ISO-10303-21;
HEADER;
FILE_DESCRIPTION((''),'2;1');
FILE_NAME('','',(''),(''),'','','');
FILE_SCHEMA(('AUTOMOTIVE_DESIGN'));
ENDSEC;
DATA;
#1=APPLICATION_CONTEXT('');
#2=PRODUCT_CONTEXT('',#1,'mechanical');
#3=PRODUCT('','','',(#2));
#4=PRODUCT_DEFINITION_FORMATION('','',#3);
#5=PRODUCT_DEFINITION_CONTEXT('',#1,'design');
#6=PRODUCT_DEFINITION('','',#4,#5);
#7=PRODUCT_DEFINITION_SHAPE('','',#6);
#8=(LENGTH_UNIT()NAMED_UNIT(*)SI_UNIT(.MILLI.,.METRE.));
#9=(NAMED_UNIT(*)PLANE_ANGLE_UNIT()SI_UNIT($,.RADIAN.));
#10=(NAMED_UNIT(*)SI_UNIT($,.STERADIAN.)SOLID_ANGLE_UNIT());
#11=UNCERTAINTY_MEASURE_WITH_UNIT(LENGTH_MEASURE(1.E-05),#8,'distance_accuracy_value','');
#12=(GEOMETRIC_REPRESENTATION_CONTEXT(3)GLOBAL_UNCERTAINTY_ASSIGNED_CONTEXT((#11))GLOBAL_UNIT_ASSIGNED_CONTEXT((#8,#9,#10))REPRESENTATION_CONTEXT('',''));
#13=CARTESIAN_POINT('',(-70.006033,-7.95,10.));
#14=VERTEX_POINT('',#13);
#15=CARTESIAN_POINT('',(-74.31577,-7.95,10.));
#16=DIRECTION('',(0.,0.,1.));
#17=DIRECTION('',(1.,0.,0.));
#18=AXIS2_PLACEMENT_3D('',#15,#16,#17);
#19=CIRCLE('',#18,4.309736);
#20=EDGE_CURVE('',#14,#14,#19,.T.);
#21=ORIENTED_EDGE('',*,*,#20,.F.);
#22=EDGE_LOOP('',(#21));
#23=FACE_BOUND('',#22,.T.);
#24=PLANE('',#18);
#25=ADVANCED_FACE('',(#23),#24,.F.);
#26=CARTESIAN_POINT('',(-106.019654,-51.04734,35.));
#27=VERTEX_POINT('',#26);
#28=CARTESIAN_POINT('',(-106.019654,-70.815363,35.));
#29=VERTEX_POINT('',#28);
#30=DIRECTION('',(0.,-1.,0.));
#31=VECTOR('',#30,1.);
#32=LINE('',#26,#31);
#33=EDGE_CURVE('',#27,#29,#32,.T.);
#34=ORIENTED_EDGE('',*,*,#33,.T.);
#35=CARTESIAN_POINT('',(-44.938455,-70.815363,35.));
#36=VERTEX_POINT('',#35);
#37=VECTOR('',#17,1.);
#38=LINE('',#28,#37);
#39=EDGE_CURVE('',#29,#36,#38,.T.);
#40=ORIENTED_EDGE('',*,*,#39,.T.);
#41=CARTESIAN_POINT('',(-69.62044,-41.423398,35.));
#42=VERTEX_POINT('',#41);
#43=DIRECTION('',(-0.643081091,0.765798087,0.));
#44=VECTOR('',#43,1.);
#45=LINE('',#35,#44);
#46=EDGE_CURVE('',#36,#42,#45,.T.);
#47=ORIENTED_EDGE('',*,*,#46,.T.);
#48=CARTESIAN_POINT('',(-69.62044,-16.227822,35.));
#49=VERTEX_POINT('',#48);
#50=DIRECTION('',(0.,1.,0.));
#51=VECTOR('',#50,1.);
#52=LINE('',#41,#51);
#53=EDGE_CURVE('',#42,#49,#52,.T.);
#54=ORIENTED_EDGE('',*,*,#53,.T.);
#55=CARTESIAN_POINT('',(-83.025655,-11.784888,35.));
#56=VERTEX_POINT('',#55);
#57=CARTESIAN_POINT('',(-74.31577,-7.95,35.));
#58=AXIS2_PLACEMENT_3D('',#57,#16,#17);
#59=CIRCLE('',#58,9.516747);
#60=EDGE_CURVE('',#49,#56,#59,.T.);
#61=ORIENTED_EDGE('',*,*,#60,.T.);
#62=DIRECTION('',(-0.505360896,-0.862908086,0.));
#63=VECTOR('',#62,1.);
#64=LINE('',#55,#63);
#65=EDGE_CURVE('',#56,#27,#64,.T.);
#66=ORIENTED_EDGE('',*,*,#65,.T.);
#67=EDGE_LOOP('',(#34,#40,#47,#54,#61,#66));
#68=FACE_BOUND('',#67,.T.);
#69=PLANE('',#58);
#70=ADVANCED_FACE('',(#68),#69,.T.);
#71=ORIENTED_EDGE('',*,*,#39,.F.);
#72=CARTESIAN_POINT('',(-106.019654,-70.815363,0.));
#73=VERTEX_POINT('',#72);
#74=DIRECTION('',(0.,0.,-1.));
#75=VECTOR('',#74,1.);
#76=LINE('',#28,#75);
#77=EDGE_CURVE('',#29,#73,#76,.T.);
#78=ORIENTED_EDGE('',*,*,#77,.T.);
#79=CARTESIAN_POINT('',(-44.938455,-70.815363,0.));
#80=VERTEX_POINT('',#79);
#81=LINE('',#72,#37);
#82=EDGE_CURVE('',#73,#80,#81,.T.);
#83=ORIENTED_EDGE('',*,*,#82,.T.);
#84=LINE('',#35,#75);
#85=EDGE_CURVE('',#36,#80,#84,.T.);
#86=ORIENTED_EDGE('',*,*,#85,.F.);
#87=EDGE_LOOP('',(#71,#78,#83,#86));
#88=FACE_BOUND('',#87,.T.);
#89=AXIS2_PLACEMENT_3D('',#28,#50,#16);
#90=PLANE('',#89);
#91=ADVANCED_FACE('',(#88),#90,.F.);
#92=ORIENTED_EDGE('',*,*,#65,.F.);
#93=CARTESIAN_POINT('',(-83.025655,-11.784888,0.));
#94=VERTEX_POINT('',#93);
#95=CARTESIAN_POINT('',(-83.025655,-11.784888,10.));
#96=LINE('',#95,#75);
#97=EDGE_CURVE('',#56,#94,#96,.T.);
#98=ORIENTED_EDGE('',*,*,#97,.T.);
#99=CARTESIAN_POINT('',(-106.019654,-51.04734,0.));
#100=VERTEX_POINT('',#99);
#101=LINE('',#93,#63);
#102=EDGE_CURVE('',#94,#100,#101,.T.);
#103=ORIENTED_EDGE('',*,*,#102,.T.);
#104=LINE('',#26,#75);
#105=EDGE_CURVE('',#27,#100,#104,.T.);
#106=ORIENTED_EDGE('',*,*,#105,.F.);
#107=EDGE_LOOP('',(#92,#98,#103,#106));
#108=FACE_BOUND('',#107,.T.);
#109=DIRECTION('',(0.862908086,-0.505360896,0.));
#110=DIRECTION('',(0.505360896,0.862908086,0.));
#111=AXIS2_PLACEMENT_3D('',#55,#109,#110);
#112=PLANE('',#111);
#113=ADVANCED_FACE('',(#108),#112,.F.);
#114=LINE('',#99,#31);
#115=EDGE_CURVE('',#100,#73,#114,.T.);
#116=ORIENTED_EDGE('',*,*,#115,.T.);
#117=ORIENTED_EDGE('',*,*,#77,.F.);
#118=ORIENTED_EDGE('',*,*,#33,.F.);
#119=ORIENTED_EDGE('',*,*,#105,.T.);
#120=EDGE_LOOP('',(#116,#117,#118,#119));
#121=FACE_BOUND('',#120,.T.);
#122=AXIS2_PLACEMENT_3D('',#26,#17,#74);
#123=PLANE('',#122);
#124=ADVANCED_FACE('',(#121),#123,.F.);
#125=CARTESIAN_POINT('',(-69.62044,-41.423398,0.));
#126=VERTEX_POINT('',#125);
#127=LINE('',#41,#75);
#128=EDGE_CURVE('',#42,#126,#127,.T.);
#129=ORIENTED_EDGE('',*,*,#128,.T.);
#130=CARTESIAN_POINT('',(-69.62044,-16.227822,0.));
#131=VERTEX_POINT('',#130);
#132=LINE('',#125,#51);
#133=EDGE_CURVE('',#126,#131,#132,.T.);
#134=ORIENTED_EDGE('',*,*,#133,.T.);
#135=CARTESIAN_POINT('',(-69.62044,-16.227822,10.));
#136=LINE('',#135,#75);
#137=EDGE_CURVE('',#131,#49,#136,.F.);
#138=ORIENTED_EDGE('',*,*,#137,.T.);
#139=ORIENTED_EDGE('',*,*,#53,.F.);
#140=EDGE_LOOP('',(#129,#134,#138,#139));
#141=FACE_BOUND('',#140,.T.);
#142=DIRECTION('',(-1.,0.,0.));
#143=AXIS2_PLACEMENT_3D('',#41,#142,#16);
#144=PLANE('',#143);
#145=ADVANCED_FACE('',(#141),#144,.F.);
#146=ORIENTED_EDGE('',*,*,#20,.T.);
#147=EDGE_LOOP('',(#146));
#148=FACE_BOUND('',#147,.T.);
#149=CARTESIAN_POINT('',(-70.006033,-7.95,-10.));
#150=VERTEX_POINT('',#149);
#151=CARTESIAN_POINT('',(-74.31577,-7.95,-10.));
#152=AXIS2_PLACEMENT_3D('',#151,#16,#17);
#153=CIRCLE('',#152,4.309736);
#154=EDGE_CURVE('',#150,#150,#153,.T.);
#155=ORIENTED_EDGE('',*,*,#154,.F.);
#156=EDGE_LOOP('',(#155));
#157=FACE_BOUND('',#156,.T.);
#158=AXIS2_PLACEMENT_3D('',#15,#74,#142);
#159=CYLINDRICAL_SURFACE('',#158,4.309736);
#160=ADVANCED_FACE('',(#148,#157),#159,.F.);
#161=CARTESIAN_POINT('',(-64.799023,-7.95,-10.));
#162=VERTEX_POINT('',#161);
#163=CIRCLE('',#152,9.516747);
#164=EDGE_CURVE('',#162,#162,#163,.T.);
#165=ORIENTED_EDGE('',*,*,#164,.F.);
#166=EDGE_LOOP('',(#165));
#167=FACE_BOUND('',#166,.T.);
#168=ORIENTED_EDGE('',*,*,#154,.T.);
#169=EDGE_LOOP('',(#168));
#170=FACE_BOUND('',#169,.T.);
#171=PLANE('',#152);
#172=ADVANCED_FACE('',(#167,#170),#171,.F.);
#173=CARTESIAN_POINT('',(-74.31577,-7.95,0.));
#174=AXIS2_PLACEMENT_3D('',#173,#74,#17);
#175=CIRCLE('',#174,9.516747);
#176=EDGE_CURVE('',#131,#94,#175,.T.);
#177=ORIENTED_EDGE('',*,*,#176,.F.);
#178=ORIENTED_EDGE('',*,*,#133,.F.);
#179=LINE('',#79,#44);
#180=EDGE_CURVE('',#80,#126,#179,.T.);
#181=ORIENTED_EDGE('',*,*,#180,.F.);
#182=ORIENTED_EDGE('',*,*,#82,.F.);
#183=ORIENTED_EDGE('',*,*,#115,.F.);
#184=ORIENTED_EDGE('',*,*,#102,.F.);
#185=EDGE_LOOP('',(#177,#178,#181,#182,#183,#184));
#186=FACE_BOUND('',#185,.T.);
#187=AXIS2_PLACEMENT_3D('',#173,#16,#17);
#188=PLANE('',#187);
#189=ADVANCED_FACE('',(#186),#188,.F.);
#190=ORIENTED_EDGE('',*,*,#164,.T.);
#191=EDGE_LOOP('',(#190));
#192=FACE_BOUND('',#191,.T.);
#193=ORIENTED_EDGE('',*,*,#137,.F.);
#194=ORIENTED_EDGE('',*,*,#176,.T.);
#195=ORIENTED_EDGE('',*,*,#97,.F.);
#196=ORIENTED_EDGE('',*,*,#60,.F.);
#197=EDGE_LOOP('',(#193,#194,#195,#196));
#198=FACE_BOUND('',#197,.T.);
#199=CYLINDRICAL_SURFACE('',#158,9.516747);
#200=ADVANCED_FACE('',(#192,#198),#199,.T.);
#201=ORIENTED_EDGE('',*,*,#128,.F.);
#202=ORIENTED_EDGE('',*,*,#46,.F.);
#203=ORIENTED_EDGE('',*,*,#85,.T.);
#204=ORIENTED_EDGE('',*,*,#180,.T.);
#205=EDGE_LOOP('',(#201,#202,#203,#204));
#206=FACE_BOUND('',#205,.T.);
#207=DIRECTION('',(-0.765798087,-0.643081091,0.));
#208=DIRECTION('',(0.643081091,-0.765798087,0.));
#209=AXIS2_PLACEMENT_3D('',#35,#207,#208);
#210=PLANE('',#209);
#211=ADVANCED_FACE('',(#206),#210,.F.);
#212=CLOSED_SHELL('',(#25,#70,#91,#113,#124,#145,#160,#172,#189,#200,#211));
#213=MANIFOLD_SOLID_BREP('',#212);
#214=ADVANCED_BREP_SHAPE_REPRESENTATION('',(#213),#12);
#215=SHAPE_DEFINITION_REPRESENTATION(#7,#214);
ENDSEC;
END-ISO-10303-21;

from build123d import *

# Parameters (mm, degrees)
SKETCH1_R           = 9.516746653
SKETCH1_R_2         = 4.309736146
EXTRUDE1_DEPTH      = 10
EXTRUDE1_DEPTH_BACK = 10
EXTRUDE2_DEPTH      = 25
EXTRUDE2_DEPTH_BACK = 10
EXTRUDE3_DEPTH      = 25


with BuildPart() as part:
    # Sketch1 → Extrude1 (new body, two sides)
    with BuildSketch(Plane.XY) as extrude1_sk:
        with Locations((-74.315769624, -7.949999587)):
            Circle(SKETCH1_R)
        with Locations((-74.315769624, -7.949999587)):
            Circle(SKETCH1_R_2, mode=Mode.SUBTRACT)
    extrude(amount=EXTRUDE1_DEPTH)
    extrude(extrude1_sk.sketch, amount=-EXTRUDE1_DEPTH_BACK)

    # Sketch2 → Extrude2 (add, two sides)
    with BuildSketch(Plane.XY.offset(10)) as extrude2_sk:
        with BuildLine():
            Line((-83.025654753, -11.784887838), (-106.019653855, -51.047339529))
            Line((-106.019653855, -51.047339529), (-106.019653855, -70.815363126))
            Line((-106.019653855, -70.815363126), (-44.938455036, -70.815363126))
            Line((-44.938455036, -70.815363126), (-69.620440041, -41.423398152))
            Line((-69.620440041, -41.423398152), (-69.620440041, -16.227822185))
            ThreePointArc((-69.620440041, -16.227822185), (-77.309777049, -16.983514208), (-83.025654753, -11.784887838))
        make_face()
    extrude(amount=EXTRUDE2_DEPTH)
    extrude(extrude2_sk.sketch, amount=-EXTRUDE2_DEPTH_BACK)

    # Sketch3 → Extrude3 (add)
    with BuildSketch(Plane.XY.offset(10)):
        with BuildLine():
            ThreePointArc((-83.025654753, -11.784887838), (-77.309777049, -16.983514208), (-69.620440041, -16.227822185))
            ThreePointArc((-69.620440041, -16.227822185), (-71.321762199, 1.083515033), (-83.025654753, -11.784887838))
        make_face()
    extrude(amount=EXTRUDE3_DEPTH)


solid = part.part
